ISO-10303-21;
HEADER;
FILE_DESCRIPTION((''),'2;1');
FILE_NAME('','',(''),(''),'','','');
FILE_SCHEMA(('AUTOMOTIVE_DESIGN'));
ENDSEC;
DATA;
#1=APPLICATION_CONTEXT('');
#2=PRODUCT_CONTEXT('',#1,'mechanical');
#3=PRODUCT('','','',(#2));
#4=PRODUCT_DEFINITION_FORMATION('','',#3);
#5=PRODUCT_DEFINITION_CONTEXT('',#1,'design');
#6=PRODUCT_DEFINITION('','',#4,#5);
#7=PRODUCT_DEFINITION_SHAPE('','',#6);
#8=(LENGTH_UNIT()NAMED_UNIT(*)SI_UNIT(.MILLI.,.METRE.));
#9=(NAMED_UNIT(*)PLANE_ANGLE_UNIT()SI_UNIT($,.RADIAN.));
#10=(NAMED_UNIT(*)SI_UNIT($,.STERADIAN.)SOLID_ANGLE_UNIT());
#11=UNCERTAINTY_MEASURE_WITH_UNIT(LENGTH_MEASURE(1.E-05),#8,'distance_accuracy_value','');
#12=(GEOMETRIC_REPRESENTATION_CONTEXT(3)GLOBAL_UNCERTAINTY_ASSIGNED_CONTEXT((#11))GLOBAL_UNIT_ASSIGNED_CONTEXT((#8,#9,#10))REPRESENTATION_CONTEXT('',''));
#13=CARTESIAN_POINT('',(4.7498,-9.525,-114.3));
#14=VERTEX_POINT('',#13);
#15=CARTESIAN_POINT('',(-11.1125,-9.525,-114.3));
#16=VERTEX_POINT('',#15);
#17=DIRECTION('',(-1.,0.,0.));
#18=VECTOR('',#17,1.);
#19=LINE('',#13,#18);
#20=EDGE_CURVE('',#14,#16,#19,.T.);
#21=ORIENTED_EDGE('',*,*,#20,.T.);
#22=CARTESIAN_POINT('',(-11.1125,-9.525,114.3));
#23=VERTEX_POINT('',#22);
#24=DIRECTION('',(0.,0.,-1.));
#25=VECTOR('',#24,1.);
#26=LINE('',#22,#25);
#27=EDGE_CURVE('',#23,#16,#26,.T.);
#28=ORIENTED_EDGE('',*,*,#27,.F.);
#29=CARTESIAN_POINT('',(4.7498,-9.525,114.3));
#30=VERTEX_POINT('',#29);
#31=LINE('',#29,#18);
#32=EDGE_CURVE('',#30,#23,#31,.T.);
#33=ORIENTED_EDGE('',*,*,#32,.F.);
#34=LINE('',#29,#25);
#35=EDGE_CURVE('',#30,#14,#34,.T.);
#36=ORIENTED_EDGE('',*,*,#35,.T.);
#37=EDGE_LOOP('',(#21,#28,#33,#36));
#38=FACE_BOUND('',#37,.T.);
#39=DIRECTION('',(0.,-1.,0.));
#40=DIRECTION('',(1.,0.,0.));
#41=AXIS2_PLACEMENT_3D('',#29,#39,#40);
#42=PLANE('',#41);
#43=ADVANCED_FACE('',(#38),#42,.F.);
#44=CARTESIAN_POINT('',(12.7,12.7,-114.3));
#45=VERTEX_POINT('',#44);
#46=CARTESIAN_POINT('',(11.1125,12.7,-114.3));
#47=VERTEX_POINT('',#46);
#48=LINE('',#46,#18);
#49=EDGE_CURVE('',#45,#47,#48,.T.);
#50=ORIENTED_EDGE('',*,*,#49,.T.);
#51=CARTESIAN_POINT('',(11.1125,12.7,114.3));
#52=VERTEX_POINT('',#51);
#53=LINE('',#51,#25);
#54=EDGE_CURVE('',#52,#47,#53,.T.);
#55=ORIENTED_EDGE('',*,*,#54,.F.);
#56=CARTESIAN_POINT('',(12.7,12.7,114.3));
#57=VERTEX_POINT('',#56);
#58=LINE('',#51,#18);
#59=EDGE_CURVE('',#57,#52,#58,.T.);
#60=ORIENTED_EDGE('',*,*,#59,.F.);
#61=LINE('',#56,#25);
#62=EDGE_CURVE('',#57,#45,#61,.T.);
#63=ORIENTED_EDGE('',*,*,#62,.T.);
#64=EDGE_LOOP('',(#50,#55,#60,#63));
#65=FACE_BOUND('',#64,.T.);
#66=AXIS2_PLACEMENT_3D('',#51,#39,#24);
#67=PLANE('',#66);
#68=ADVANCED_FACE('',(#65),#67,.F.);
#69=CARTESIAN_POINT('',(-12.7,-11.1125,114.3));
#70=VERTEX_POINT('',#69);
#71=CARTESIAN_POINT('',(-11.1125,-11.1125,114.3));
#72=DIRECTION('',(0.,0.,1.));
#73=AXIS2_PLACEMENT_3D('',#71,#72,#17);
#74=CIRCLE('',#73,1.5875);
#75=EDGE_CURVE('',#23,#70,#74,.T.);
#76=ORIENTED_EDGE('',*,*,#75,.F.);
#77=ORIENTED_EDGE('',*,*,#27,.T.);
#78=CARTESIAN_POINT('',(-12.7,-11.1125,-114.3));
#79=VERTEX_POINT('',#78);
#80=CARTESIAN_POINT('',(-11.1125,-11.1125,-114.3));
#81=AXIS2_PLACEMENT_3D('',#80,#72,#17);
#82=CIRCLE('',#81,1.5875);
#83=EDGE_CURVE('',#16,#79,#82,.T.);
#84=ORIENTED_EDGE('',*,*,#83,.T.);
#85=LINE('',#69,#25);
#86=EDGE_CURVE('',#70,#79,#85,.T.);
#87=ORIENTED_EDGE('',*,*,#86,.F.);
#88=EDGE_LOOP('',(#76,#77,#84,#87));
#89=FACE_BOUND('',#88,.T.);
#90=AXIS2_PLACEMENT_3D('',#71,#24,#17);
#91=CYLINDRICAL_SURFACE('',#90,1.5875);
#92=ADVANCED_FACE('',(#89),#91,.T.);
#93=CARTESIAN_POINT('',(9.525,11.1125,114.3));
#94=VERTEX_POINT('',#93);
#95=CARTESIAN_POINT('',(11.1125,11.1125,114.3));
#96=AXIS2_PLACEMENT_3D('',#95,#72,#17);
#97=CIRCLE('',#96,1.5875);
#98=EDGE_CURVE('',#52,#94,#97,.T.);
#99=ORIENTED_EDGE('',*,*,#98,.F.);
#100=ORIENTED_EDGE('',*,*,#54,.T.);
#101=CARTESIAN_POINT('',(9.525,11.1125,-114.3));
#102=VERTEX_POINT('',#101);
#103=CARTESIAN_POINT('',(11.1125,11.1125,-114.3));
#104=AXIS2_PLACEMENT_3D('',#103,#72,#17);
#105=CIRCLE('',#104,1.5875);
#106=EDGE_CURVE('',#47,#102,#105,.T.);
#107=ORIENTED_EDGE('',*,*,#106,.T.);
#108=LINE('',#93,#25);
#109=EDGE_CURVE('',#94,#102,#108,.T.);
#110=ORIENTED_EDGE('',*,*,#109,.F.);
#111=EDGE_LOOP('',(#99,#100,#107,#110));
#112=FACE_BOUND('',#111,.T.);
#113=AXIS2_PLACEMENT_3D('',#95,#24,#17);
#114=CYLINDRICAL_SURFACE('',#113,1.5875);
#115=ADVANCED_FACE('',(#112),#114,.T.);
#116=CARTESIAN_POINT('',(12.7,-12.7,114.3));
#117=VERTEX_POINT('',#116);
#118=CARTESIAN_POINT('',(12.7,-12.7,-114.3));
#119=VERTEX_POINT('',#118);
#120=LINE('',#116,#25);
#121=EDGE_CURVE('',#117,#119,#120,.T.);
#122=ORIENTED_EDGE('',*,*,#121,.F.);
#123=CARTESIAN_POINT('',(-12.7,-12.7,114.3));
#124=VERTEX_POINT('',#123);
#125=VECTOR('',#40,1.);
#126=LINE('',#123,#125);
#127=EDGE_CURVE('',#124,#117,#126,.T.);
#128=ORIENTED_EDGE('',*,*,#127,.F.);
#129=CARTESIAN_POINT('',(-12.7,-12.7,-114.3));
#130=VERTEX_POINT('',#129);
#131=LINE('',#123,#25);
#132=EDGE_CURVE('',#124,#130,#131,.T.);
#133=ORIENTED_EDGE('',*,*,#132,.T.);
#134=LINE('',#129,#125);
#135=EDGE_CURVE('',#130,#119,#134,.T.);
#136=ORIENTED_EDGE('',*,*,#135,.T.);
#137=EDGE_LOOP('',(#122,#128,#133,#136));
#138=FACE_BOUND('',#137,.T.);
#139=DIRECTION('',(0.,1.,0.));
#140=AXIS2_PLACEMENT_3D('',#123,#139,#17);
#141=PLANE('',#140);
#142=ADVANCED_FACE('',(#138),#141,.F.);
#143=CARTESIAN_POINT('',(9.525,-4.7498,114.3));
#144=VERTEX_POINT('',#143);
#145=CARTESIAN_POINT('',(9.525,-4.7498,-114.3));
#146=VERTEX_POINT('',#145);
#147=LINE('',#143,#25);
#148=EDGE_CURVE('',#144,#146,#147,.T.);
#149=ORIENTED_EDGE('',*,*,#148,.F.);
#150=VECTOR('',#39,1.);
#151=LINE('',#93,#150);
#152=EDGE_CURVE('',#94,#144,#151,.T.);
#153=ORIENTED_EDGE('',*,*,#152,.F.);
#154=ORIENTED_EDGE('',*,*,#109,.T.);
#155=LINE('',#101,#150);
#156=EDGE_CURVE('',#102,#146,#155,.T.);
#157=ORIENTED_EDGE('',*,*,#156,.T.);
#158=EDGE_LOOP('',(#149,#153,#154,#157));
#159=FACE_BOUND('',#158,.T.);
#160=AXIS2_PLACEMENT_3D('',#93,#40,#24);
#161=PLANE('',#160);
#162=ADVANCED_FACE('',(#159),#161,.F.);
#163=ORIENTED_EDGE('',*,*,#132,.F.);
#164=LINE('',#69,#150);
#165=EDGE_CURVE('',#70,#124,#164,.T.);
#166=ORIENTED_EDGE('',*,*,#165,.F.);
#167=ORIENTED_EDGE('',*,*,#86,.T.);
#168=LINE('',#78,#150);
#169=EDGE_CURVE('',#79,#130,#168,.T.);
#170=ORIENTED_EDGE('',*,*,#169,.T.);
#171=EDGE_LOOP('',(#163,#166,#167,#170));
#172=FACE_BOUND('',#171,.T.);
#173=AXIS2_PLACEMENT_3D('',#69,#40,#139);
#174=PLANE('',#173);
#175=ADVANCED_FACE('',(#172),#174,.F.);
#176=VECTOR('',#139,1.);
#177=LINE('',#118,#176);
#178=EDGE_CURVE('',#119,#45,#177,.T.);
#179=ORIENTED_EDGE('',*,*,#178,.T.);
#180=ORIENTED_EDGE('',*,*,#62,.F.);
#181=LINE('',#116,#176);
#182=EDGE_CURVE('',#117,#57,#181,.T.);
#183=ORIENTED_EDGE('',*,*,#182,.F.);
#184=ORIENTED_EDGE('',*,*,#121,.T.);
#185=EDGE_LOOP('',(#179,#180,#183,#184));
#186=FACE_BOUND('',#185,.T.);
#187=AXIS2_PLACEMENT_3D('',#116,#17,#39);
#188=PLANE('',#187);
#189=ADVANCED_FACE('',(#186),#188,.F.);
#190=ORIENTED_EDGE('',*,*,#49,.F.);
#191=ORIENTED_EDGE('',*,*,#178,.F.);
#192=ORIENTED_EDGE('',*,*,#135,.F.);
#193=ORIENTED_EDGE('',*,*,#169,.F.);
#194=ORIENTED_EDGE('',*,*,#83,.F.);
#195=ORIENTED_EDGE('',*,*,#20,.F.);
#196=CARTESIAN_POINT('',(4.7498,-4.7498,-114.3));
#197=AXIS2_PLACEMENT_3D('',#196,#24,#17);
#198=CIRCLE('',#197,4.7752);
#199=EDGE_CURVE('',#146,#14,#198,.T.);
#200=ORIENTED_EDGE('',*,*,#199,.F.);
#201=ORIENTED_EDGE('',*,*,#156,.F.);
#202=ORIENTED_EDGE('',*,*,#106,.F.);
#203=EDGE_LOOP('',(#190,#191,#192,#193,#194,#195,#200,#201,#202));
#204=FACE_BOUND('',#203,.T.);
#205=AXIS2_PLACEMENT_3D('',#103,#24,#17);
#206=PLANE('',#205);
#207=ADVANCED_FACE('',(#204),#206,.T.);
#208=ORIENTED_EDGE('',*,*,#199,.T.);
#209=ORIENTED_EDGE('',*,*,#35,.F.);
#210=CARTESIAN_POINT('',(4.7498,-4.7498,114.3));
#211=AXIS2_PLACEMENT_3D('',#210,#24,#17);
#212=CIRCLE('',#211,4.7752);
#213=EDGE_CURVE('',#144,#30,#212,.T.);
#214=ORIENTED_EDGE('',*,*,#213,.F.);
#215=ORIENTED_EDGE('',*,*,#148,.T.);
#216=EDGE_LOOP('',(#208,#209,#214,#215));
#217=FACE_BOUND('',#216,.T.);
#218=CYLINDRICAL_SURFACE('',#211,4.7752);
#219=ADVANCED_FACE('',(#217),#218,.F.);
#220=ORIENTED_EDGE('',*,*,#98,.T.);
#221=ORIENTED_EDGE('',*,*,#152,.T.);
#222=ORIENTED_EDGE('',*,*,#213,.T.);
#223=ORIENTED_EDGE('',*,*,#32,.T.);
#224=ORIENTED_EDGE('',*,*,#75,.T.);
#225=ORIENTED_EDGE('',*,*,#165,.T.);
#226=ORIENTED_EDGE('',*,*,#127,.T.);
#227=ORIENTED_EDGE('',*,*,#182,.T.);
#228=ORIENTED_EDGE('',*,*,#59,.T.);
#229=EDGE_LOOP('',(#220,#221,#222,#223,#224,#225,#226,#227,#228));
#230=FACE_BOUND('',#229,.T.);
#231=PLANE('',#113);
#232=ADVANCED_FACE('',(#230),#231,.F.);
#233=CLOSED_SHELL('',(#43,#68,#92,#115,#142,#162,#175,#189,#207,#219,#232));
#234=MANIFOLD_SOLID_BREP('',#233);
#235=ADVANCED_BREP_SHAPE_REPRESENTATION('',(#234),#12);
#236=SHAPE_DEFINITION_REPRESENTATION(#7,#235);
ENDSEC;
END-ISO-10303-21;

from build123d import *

# Parameters (mm, degrees)
BOSS_EXTRUDE1_DEPTH = 114.3


with BuildPart() as part:
    # Sketch2 → Boss-Extrude1 (new, symmetric)
    with BuildSketch(Plane.XY):
        with BuildLine():
            Line((-12.7, -12.7), (12.7, -12.7))
            Line((12.7, -12.7), (12.7, 12.7))
            Line((12.7, 12.7), (11.1125, 12.7))
            ThreePointArc((11.1125, 12.7), (9.989967985, 12.235032015), (9.525, 11.1125))
            Line((9.525, 11.1125), (9.525, -4.7498))
            ThreePointArc((9.525, -4.7498), (8.126376302, -8.126376302), (4.7498, -9.525))
            Line((4.7498, -9.525), (-11.1125, -9.525))
            ThreePointArc((-11.1125, -9.525), (-12.235032015, -9.989967985), (-12.7, -11.1125))
            Line((-12.7, -11.1125), (-12.7, -12.7))
        make_face()
    extrude(amount=BOSS_EXTRUDE1_DEPTH, both=True)


solid = part.part
